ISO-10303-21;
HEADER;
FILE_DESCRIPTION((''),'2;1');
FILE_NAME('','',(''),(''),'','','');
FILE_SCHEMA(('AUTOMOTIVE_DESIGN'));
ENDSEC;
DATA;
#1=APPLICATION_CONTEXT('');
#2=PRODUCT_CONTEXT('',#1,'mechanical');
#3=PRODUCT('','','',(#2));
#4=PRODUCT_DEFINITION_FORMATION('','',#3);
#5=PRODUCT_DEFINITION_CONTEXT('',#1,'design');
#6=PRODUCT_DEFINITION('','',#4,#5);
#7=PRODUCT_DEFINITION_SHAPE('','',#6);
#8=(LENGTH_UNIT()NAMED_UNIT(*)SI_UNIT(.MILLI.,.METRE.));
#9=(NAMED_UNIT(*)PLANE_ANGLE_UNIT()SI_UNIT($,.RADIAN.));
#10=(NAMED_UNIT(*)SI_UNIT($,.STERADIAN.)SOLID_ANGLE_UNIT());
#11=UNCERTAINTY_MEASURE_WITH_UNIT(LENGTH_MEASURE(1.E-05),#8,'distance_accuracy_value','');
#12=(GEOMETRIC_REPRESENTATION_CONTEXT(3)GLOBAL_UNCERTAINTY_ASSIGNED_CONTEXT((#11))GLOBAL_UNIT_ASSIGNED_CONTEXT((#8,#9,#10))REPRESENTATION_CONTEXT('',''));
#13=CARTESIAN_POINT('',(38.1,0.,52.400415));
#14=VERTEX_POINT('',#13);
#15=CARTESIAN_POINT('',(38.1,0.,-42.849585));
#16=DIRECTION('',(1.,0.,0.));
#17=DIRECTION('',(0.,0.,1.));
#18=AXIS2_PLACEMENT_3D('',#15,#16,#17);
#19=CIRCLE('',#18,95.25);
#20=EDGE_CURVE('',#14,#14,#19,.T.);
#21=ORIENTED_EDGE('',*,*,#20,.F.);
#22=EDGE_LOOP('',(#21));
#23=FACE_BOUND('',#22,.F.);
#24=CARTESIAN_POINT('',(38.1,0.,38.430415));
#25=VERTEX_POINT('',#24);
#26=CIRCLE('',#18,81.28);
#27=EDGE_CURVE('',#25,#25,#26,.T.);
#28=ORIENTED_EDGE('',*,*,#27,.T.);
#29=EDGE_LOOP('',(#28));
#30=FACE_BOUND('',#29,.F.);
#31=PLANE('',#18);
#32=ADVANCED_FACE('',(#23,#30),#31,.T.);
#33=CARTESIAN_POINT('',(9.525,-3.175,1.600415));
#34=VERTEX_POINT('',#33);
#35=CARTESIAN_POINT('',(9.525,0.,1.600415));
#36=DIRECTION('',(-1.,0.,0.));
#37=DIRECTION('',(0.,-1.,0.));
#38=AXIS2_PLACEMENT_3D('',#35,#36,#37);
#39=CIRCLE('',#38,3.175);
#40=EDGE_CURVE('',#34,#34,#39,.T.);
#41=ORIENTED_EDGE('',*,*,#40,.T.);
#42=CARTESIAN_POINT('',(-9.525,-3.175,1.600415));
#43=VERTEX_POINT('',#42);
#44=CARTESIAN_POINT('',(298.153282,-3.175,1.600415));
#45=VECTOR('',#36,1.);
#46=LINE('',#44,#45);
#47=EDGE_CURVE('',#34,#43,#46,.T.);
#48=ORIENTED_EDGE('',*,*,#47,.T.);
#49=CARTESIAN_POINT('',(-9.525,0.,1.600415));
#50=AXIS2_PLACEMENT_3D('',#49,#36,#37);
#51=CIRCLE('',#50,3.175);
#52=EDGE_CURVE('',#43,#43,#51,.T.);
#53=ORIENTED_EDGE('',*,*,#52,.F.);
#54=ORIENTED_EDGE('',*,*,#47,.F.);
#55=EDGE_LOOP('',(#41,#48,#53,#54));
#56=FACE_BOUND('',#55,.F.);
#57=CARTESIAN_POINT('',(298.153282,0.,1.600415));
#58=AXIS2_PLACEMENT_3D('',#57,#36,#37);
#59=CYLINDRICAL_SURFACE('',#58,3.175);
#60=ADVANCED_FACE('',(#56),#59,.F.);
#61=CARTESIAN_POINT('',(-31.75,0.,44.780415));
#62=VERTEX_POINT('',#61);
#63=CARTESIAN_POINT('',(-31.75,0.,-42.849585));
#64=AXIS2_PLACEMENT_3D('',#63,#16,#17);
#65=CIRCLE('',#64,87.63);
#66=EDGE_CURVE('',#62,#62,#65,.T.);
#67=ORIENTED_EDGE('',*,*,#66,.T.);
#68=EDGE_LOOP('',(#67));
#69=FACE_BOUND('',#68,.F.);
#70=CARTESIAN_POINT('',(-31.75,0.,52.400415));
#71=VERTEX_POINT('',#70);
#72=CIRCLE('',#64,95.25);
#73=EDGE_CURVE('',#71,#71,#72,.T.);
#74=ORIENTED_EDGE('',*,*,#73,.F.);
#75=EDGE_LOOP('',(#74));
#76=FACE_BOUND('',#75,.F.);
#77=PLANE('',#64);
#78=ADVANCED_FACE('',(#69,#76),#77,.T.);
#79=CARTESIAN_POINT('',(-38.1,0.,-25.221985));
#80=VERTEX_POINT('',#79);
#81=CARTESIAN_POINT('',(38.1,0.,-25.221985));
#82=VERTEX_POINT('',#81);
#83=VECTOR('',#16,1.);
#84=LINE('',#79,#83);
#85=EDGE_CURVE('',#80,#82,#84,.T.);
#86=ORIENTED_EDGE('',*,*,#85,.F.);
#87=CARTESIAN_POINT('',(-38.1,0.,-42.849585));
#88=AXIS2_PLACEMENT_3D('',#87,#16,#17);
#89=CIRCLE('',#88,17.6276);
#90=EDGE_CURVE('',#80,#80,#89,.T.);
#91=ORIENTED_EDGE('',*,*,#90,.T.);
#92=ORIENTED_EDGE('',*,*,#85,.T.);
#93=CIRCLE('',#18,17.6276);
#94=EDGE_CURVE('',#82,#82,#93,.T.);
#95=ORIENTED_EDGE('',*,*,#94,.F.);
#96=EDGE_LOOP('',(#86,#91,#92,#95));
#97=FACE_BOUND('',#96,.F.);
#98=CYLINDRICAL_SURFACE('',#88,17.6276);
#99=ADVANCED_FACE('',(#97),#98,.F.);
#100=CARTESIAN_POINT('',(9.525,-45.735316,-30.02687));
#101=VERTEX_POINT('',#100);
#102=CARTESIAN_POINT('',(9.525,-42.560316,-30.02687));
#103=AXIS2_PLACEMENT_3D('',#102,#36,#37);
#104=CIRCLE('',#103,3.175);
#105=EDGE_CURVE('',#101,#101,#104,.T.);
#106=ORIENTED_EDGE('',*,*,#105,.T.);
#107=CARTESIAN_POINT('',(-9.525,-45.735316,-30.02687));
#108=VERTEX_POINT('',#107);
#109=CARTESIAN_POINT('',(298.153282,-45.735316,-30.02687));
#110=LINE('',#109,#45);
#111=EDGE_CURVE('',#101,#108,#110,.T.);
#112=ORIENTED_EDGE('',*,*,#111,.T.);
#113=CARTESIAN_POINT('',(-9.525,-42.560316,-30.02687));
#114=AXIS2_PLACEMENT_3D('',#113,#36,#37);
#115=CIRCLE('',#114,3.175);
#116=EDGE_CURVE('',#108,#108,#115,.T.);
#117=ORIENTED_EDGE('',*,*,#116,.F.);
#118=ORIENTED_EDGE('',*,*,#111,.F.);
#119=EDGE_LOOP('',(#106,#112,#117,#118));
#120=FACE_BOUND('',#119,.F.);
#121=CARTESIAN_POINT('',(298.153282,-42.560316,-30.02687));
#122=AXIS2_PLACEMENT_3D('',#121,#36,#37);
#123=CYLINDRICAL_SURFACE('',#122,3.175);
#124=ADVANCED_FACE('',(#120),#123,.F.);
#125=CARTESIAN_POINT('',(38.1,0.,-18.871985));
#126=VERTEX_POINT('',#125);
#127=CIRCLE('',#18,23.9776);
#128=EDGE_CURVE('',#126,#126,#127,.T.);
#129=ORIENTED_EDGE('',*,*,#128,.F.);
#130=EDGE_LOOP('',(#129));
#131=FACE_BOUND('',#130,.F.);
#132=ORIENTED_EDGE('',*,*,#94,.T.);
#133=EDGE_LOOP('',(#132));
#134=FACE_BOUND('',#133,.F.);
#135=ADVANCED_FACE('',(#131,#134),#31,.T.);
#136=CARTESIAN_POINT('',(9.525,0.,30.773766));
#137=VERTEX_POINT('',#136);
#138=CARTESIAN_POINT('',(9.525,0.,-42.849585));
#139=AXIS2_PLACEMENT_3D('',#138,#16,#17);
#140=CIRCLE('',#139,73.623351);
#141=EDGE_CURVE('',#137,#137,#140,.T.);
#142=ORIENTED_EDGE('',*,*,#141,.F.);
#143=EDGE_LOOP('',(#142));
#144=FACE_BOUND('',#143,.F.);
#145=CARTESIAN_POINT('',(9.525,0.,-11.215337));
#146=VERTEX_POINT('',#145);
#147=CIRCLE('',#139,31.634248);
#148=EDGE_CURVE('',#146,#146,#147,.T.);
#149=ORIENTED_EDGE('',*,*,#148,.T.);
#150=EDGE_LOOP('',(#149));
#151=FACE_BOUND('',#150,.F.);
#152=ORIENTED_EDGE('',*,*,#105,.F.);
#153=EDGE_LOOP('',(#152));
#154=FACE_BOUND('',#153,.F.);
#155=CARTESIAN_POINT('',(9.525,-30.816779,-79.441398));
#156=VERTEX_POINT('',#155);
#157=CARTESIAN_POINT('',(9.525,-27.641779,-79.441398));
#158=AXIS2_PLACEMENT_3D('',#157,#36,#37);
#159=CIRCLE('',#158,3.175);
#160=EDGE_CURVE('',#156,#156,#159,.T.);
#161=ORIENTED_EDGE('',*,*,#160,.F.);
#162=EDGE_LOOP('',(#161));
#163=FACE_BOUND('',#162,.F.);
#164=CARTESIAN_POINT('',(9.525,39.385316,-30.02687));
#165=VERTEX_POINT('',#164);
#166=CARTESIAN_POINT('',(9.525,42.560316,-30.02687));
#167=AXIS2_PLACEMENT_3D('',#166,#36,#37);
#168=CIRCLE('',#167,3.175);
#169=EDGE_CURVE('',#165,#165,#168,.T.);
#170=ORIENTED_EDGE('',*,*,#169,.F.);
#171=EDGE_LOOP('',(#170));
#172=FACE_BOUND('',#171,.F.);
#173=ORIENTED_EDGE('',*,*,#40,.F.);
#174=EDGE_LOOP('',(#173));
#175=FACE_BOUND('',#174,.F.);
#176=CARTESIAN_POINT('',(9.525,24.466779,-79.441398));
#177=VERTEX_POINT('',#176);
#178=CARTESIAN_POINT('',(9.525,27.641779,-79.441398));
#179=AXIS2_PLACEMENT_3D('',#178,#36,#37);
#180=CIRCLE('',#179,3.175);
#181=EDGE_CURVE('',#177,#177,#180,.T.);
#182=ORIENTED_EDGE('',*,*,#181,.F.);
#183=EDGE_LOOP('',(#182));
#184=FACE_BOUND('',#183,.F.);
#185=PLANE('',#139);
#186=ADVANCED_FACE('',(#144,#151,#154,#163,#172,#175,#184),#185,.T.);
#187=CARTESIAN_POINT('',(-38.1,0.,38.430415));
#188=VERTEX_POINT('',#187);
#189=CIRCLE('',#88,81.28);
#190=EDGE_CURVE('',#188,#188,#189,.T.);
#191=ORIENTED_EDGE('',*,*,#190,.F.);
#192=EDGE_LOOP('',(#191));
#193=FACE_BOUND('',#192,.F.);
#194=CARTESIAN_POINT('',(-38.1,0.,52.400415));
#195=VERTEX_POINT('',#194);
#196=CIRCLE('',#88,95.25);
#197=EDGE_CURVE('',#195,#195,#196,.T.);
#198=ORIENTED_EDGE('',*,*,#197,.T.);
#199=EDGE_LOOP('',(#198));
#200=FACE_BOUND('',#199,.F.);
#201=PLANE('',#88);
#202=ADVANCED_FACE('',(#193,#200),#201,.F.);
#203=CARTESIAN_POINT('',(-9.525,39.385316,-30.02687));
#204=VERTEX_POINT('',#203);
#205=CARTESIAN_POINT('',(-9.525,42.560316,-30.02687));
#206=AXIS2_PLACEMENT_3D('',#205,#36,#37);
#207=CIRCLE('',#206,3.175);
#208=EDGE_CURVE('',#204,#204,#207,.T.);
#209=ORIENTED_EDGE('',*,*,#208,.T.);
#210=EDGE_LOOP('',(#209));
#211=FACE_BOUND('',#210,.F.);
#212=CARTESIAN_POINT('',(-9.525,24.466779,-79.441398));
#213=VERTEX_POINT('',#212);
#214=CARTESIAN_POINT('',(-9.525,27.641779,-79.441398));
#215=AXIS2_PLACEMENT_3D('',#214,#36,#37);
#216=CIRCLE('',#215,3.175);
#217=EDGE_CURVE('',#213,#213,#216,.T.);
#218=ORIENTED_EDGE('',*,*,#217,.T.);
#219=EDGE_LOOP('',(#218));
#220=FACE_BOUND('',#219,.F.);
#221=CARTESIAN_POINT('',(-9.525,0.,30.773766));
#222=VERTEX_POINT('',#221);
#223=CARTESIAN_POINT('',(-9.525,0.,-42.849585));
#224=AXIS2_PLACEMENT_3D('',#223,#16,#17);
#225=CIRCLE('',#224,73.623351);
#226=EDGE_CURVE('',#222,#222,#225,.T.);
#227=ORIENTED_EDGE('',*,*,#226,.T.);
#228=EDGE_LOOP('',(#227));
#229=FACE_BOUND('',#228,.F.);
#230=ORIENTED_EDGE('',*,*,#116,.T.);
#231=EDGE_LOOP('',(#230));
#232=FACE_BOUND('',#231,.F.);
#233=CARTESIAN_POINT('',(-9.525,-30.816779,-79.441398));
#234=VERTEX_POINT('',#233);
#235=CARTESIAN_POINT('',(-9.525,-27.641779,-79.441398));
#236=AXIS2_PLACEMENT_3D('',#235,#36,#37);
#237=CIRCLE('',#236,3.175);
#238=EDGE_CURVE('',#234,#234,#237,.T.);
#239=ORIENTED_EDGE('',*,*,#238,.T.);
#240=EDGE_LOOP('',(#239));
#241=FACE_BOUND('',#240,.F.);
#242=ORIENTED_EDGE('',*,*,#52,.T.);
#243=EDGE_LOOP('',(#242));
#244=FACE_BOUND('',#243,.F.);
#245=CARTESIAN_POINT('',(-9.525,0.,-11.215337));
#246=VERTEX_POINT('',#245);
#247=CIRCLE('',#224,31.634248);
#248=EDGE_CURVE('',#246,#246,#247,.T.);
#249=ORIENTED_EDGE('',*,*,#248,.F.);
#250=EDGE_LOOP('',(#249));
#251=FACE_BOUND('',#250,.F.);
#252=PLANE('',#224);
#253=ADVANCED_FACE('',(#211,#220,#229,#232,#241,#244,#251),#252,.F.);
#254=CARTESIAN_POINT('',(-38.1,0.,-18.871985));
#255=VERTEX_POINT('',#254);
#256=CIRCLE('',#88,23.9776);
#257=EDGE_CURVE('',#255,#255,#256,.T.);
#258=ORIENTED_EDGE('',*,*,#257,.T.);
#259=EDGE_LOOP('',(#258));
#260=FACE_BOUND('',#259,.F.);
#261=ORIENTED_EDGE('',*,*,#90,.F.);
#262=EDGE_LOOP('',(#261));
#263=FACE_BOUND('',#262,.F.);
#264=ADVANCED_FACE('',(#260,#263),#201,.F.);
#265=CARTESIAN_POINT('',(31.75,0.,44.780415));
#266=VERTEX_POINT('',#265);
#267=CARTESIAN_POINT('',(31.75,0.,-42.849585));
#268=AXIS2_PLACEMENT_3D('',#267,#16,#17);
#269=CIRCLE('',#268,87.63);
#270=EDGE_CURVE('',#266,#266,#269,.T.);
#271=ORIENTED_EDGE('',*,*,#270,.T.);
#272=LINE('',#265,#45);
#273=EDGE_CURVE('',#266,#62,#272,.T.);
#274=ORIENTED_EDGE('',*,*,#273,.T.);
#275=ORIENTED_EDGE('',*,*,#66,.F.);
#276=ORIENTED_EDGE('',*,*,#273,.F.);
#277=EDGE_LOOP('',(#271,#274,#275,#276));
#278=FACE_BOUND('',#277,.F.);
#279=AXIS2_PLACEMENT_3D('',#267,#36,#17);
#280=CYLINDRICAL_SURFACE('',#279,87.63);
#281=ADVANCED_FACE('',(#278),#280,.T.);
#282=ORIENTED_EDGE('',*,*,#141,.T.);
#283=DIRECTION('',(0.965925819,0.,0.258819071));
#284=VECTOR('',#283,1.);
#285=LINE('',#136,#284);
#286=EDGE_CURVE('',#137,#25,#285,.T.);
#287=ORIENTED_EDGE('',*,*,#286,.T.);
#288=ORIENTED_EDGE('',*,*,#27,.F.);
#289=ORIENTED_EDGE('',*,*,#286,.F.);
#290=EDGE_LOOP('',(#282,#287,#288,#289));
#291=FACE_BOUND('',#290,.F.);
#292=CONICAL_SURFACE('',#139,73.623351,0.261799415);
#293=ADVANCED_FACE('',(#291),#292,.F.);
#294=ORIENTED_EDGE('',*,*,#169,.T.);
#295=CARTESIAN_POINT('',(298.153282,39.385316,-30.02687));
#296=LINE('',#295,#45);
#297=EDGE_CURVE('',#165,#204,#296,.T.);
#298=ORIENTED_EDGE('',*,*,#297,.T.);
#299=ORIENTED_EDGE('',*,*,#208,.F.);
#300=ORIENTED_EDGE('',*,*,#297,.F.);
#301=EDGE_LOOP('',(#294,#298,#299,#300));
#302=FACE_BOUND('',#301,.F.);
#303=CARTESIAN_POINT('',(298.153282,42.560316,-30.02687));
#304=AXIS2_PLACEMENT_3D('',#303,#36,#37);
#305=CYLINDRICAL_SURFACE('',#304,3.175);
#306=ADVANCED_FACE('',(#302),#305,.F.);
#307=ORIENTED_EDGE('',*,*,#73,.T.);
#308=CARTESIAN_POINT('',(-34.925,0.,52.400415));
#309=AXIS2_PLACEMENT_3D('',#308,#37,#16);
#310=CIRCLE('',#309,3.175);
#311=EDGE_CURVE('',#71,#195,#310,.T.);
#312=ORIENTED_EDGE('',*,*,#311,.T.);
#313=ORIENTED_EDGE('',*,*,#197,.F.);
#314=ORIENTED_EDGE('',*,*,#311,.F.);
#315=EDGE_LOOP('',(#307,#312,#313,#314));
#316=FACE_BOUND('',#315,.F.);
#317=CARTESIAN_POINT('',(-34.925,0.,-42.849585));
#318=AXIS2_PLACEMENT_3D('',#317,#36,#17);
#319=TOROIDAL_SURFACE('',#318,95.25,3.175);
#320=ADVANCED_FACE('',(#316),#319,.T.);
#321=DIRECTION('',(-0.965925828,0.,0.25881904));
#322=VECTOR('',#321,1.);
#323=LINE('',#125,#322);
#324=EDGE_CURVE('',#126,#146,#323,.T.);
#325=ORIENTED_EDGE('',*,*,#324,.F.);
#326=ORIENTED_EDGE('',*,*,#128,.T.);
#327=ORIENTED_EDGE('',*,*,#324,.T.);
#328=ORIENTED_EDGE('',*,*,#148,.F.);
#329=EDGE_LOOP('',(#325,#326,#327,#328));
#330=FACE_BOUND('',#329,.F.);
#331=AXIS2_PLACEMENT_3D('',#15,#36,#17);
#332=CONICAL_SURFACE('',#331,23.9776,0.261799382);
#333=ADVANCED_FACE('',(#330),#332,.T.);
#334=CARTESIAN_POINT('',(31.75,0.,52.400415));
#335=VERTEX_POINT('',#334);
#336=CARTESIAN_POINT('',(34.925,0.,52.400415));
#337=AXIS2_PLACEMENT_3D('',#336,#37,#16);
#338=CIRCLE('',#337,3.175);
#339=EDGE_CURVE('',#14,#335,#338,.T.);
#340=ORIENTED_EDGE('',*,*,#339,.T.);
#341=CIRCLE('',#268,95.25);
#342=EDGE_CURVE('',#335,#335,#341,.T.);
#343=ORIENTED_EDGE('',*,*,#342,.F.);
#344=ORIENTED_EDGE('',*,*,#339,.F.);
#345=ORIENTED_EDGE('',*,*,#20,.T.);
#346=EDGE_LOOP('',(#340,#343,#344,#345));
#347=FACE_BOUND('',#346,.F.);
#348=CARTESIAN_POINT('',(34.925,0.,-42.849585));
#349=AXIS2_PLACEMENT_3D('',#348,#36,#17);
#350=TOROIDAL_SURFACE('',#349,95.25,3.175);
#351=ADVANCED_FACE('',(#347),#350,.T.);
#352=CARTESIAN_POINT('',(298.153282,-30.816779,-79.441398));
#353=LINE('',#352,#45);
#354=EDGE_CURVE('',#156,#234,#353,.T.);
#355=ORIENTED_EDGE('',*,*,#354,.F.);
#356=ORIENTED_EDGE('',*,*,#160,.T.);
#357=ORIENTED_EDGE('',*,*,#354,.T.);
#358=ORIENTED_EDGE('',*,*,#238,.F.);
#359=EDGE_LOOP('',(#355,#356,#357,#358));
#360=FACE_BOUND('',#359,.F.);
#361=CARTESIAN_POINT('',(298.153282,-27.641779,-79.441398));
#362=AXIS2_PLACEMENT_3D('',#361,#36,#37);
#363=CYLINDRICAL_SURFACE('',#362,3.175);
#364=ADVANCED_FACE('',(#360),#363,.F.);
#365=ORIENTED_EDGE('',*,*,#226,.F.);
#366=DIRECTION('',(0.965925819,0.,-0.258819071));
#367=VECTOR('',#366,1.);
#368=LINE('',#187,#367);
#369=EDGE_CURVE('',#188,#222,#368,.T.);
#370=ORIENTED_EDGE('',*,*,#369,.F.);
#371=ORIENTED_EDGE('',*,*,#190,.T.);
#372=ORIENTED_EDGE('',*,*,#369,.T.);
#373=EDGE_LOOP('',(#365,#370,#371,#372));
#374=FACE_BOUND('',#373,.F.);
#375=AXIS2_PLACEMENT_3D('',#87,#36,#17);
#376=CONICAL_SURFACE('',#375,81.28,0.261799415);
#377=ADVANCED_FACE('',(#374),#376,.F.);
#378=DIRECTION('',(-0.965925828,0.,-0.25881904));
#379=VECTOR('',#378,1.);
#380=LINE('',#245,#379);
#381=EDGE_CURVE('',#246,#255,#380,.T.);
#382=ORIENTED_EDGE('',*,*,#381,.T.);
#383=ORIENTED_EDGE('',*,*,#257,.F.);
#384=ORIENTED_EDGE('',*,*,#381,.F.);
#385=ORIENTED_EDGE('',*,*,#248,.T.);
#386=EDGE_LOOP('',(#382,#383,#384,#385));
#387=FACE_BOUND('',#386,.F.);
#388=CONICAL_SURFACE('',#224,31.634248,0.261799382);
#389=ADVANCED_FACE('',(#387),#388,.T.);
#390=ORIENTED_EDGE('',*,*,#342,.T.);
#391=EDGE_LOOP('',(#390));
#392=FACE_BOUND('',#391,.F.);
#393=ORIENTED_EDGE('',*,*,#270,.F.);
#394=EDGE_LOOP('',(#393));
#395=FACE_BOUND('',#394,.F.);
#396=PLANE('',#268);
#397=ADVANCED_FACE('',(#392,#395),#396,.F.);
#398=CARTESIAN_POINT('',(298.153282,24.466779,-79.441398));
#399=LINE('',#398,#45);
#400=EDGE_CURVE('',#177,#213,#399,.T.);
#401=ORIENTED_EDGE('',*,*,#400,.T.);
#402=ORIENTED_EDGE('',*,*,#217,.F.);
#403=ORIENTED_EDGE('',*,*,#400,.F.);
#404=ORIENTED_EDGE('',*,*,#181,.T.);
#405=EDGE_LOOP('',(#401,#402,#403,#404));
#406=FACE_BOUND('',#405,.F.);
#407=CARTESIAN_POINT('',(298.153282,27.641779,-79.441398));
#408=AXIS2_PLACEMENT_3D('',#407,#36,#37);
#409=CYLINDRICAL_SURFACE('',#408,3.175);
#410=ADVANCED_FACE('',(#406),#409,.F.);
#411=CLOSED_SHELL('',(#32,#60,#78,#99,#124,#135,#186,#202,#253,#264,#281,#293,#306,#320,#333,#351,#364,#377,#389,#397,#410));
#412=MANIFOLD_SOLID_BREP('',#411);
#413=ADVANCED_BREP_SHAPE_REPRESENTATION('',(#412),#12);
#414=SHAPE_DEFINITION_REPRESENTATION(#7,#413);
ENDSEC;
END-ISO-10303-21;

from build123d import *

# Parameters (mm, degrees)
F3_D = 6.35
F4_D = 6.35
F5_D = 6.35
F6_D = 6.35
F7_D = 6.35


with BuildPart() as f1:
    # F0 (on Front) → F1 (revolve)
    with BuildSketch(Plane.XZ):
        with BuildLine():
            Line((9.525, -11.215337), (9.525, 30.773766))
            Line((9.525, 30.773766), (38.1, 38.430415))
            Line((38.1, 38.430415), (38.1, 52.400415))
            ThreePointArc((38.1, 52.400415), (34.925, 55.575415), (31.75, 52.400415))
            Line((31.75, 52.400415), (31.75, 44.780415))
            Line((31.75, 44.780415), (-31.75, 44.780415))
            Line((-31.75, 44.780415), (-31.75, 52.400415))
            ThreePointArc((-31.75, 52.400415), (-34.925, 55.575415), (-38.1, 52.400415))
            Line((-38.1, 52.400415), (-38.1, 38.430415))
            Line((-38.1, 38.430415), (-9.525, 30.773766))
            Line((-9.525, 30.773766), (-9.525, -11.215337))
            Line((-9.525, -11.215337), (-38.1, -18.871985))
            Line((-38.1, -18.871985), (-38.1, -25.221985))
            Line((-38.1, -25.221985), (0, -25.221985))
            Line((0, -25.221985), (38.1, -25.221985))
            Line((38.1, -25.221985), (38.1, -18.871985))
            Line((38.1, -18.871985), (9.525, -11.215337))
        make_face()
    revolve(axis=Axis((44.160847, 0, -42.849585), (1, 0, 0)))

    # F3 (through all)
    with Locations(Plane.YZ.offset(9.525)):
        with Locations((-42.560316, -30.02687)):
            Hole(F3_D / 2)

    # F4 (through all)
    with Locations(Plane.YZ.offset(9.525)):
        with Locations((0, 1.600415)):
            Hole(F4_D / 2)

    # F5 (through all)
    with Locations(Plane.YZ.offset(9.525)):
        with Locations((-27.641779, -79.441398)):
            Hole(F5_D / 2)

    # F6 (through all)
    with Locations(Plane.YZ.offset(9.525)):
        with Locations((27.641779, -79.441398)):
            Hole(F6_D / 2)

    # F7 (through all)
    with Locations(Plane.YZ.offset(9.525)):
        with Locations((42.560316, -30.02687)):
            Hole(F7_D / 2)


solid = f1.part
